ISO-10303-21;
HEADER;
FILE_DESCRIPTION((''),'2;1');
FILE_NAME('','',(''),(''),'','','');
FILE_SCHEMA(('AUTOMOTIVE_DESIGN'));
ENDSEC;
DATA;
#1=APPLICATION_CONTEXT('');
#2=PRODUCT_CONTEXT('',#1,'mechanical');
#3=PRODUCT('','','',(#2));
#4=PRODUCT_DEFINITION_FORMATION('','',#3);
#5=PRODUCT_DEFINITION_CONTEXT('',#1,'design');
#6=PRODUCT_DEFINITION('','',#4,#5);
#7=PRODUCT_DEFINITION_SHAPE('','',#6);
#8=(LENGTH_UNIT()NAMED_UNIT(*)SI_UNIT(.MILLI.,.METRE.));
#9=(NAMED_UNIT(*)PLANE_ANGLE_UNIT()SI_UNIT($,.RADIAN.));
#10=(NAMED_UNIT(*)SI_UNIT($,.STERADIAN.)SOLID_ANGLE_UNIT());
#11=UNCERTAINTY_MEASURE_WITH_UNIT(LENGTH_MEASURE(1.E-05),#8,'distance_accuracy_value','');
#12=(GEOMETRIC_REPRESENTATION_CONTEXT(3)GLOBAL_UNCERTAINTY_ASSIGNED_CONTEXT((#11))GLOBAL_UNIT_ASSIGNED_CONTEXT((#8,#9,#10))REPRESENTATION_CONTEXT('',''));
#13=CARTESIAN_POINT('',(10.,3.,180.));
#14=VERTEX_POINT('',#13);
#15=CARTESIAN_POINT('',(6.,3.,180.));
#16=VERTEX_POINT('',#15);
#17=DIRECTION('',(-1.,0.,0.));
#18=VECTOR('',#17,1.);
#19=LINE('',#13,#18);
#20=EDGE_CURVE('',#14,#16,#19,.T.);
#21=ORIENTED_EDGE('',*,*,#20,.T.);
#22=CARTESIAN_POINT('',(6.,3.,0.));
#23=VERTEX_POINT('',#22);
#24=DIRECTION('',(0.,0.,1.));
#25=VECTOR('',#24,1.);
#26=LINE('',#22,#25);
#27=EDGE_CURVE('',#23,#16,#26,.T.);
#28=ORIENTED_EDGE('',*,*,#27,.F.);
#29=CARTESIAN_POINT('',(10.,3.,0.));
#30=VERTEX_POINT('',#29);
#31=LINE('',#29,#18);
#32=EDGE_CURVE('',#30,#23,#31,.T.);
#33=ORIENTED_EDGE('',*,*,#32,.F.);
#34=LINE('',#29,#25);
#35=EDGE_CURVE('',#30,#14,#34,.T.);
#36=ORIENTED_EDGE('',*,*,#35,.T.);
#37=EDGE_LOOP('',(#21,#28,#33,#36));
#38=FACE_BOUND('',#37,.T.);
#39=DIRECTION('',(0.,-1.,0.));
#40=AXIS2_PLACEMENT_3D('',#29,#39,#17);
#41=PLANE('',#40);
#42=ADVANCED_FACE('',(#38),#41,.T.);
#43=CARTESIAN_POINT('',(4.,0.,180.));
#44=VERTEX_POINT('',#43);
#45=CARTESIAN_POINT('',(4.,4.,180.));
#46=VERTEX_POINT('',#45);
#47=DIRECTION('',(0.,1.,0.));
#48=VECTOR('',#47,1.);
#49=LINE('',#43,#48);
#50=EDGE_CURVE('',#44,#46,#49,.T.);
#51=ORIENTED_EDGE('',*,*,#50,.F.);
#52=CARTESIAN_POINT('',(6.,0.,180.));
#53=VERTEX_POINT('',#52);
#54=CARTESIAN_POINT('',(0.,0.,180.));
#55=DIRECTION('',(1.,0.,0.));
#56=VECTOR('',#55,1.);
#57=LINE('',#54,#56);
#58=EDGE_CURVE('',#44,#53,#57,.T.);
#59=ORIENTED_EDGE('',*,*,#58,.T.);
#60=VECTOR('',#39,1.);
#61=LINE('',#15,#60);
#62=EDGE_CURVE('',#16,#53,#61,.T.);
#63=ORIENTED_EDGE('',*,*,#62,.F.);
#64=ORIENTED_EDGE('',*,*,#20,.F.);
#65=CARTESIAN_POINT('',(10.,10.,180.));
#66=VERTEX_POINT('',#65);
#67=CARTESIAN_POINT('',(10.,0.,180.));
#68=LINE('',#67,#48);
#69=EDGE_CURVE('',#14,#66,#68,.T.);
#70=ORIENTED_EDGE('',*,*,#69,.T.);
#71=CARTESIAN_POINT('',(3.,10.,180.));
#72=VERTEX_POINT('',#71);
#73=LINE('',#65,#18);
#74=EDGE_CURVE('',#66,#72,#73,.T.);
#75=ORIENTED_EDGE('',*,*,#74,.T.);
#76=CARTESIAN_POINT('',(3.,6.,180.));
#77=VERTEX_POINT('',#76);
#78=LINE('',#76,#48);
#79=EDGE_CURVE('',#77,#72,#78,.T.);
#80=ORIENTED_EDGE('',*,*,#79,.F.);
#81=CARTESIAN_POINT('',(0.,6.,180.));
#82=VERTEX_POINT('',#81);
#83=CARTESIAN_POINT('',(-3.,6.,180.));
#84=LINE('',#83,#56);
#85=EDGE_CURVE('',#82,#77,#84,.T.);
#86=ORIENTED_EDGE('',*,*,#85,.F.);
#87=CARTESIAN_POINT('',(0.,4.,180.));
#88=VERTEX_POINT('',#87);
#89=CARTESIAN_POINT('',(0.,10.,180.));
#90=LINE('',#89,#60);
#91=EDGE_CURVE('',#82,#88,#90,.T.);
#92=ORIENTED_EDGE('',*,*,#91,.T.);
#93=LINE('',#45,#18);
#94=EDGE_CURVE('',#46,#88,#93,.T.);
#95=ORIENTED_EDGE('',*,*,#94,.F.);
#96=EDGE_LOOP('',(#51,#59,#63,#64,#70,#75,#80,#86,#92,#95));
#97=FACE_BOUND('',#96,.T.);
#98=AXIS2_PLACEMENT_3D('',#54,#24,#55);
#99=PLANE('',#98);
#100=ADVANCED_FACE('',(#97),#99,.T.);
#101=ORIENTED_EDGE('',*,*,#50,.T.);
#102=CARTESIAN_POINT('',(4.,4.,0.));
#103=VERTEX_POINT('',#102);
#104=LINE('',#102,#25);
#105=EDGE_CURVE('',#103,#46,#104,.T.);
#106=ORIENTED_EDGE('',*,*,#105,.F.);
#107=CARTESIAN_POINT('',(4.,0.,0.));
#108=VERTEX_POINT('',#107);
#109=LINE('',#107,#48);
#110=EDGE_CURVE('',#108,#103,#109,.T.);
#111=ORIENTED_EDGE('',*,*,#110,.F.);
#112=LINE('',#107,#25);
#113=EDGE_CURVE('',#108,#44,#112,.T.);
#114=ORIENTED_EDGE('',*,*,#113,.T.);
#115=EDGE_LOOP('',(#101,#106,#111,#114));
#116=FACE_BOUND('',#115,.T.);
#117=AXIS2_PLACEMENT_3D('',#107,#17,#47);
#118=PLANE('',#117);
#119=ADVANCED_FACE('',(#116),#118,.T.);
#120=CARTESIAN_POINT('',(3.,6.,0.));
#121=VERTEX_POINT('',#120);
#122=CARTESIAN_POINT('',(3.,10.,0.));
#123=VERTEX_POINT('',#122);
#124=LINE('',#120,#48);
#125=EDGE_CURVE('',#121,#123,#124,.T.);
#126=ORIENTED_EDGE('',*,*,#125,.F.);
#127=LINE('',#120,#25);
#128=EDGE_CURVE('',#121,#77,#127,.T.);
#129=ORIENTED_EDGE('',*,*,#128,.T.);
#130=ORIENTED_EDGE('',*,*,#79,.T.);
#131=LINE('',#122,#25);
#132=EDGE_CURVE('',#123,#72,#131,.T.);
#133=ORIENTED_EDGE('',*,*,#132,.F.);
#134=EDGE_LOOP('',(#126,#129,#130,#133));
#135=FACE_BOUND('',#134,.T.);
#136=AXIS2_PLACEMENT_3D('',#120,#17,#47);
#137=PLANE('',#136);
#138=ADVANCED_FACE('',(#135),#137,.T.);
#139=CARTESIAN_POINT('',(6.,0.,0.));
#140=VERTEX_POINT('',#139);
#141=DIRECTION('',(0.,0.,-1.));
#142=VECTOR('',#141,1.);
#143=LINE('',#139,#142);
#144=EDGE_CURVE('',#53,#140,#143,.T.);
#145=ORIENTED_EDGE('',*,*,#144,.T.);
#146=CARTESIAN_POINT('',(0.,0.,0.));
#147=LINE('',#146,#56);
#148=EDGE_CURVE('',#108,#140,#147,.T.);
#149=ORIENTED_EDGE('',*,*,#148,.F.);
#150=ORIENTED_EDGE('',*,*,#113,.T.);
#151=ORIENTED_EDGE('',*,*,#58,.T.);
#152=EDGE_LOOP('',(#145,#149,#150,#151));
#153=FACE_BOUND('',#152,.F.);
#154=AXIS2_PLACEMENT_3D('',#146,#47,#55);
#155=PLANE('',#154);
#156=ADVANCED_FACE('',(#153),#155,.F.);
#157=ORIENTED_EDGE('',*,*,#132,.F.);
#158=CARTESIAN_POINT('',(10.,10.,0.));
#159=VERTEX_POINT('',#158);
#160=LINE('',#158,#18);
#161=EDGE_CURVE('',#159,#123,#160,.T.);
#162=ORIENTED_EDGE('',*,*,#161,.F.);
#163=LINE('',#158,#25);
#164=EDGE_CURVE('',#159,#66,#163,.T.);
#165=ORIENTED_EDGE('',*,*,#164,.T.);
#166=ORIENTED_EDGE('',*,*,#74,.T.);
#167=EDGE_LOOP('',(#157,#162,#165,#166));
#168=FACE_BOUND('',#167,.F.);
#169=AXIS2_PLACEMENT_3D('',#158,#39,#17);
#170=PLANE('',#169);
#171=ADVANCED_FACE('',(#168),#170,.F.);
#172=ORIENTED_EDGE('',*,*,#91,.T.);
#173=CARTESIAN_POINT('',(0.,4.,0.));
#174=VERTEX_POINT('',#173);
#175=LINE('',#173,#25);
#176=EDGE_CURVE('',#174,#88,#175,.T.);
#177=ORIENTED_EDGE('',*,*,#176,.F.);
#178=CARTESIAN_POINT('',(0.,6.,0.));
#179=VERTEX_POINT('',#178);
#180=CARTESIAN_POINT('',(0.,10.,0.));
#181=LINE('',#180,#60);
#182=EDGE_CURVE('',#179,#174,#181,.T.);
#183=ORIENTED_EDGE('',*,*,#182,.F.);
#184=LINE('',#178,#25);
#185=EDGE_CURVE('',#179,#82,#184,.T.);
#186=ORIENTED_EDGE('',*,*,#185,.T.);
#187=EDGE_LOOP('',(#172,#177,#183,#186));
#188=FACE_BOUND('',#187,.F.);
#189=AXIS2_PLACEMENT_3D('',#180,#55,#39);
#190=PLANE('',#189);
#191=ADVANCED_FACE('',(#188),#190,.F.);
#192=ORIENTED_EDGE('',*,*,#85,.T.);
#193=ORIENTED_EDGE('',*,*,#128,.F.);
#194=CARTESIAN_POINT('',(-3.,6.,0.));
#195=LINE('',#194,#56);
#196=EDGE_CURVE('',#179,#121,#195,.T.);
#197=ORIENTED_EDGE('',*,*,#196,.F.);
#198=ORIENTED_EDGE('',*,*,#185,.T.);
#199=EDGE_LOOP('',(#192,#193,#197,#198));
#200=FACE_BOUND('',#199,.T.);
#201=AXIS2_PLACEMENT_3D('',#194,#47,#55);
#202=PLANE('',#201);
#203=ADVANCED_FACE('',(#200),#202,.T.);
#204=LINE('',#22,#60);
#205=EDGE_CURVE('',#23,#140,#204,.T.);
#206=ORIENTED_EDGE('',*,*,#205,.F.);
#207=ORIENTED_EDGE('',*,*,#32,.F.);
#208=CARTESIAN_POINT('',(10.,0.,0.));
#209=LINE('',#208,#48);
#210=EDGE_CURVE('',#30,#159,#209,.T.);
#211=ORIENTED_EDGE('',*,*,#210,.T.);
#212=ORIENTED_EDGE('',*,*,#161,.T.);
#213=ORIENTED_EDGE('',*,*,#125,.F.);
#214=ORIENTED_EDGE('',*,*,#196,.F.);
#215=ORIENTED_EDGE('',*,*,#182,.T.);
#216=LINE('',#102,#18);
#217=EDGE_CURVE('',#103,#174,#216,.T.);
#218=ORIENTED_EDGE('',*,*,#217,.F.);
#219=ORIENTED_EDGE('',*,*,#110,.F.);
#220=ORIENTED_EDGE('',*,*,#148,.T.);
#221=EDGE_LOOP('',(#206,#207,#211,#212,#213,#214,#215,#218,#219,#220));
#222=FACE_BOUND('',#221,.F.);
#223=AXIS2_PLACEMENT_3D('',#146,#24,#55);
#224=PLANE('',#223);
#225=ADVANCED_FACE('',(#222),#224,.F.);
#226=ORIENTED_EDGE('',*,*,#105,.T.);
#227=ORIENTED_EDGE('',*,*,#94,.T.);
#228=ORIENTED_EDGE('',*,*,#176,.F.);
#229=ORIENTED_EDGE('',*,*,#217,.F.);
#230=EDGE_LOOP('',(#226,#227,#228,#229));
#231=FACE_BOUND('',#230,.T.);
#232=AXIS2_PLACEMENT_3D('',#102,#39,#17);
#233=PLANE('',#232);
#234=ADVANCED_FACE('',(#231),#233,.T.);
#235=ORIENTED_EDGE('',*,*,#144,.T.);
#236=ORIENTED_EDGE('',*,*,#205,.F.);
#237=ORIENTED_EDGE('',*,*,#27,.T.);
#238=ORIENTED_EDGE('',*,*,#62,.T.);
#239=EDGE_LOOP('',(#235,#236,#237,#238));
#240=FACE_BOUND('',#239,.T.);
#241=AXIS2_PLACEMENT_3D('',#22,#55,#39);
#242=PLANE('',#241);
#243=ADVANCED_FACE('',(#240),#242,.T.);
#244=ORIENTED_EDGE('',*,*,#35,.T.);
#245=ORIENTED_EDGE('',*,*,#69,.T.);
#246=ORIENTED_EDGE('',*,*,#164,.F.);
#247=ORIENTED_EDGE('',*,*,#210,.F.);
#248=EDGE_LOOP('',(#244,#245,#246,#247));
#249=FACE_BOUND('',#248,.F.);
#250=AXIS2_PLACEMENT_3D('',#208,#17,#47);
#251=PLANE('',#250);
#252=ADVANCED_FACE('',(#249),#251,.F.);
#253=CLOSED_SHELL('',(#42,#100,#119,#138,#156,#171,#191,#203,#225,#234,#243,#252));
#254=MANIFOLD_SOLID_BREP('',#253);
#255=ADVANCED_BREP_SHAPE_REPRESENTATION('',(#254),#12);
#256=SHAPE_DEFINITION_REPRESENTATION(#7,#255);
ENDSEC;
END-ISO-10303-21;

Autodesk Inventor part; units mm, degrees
ref_plane "YZ Plane" through (0, 0, 0) normal (1, 0, 0) x (0, 1, 0)
ref_plane "XZ Plane" through (0, 0, 0) normal (0, 1, 0) x (-1, 0, 0)
sketch "Skizze1" plane through (0, 0, 0) normal (0, 0, 1) x (1, 0, 0)
  line L0 (0, 0) -> (10, 0)
  line L1 (10, 0) -> (10, 10)
  line L2 (10, 10) -> (0, 10)
  line L3 (0, 10) -> (0, 0)
extrude "Extrusion1" add sketch "Skizze1" along normal blind 180
sketch "Skizze2" plane through (0, 0, 0) normal (0, 0, 1) x (1, 0, 0)
  line L0 (0, 0) -> (4, 0)
  line L1 (4, 0) -> (4, 4)
  line L2 (4, 4) -> (0, 4)
  line L3 (0, 4) -> (0, 0)
extrude "Extrusion2" cut sketch "Skizze2" along normal blind 180
sketch "Skizze3" plane through (0, 0, 0) normal (0, 0, 1) x (1, 0, 0)
  line L0 (-3, 6) -> (3, 6)
  line L1 (3, 6) -> (3, 10)
  line L2 (3, 10) -> (-3, 10)
  line L3 (-3, 10) -> (-3, 6)
extrude "Extrusion3" cut sketch "Skizze3" along normal blind 180
sketch "Skizze4" plane through (0, 0, 0) normal (0, 0, 1) x (1, 0, 0)
  line L0 (-3, -10) -> (3, -10)
  line L1 (3, -10) -> (3, -6)
  line L2 (3, -6) -> (-3, -6)
  line L3 (-3, -6) -> (-3, -10)
extrude "Extrusion4" cut sketch "Skizze4" along normal blind 180
sketch "Skizze5" plane through (0, 0, 0) normal (0, 0, 1) x (1, 0, 0)
  line L0 (-10, -3) -> (-6, -3)
  line L1 (-6, -3) -> (-6, 3)
  line L2 (-6, 3) -> (-10, 3)
  line L3 (-10, 3) -> (-10, -3)
extrude "Extrusion5" cut sketch "Skizze5" along normal blind 180
sketch "Skizze6" plane through (0, 0, 0) normal (0, 0, 1) x (1, 0, 0)
  line L0 (6, -3) -> (10, -3)
  line L1 (10, -3) -> (10, 3)
  line L2 (10, 3) -> (6, 3)
  line L3 (6, 3) -> (6, -3)
extrude "Extrusion6" cut sketch "Skizze6" along normal blind 180
ref_plane "Arbeitsebene1" through (0, 0, 180) normal (0, 0, 1) x (1, 0, 0)
sketch "Skizze7" plane through (0, 0, 0) normal (0, 0, 1) x (1, 0, 0)
  circle A0 centre (0, 0) radius 2.5
extrude "Extrusion7" cut sketch "Skizze7" along normal blind 10
sketch "Skizze8" plane through (0, 0, 180) normal (0, 0, 1) x (1, 0, 0)
  circle A0 centre (0, 0) radius 2.5
extrude "Extrusion8" cut sketch "Skizze8" along normal blind 10
properties part number "Aluprofil_20x20_L180"
